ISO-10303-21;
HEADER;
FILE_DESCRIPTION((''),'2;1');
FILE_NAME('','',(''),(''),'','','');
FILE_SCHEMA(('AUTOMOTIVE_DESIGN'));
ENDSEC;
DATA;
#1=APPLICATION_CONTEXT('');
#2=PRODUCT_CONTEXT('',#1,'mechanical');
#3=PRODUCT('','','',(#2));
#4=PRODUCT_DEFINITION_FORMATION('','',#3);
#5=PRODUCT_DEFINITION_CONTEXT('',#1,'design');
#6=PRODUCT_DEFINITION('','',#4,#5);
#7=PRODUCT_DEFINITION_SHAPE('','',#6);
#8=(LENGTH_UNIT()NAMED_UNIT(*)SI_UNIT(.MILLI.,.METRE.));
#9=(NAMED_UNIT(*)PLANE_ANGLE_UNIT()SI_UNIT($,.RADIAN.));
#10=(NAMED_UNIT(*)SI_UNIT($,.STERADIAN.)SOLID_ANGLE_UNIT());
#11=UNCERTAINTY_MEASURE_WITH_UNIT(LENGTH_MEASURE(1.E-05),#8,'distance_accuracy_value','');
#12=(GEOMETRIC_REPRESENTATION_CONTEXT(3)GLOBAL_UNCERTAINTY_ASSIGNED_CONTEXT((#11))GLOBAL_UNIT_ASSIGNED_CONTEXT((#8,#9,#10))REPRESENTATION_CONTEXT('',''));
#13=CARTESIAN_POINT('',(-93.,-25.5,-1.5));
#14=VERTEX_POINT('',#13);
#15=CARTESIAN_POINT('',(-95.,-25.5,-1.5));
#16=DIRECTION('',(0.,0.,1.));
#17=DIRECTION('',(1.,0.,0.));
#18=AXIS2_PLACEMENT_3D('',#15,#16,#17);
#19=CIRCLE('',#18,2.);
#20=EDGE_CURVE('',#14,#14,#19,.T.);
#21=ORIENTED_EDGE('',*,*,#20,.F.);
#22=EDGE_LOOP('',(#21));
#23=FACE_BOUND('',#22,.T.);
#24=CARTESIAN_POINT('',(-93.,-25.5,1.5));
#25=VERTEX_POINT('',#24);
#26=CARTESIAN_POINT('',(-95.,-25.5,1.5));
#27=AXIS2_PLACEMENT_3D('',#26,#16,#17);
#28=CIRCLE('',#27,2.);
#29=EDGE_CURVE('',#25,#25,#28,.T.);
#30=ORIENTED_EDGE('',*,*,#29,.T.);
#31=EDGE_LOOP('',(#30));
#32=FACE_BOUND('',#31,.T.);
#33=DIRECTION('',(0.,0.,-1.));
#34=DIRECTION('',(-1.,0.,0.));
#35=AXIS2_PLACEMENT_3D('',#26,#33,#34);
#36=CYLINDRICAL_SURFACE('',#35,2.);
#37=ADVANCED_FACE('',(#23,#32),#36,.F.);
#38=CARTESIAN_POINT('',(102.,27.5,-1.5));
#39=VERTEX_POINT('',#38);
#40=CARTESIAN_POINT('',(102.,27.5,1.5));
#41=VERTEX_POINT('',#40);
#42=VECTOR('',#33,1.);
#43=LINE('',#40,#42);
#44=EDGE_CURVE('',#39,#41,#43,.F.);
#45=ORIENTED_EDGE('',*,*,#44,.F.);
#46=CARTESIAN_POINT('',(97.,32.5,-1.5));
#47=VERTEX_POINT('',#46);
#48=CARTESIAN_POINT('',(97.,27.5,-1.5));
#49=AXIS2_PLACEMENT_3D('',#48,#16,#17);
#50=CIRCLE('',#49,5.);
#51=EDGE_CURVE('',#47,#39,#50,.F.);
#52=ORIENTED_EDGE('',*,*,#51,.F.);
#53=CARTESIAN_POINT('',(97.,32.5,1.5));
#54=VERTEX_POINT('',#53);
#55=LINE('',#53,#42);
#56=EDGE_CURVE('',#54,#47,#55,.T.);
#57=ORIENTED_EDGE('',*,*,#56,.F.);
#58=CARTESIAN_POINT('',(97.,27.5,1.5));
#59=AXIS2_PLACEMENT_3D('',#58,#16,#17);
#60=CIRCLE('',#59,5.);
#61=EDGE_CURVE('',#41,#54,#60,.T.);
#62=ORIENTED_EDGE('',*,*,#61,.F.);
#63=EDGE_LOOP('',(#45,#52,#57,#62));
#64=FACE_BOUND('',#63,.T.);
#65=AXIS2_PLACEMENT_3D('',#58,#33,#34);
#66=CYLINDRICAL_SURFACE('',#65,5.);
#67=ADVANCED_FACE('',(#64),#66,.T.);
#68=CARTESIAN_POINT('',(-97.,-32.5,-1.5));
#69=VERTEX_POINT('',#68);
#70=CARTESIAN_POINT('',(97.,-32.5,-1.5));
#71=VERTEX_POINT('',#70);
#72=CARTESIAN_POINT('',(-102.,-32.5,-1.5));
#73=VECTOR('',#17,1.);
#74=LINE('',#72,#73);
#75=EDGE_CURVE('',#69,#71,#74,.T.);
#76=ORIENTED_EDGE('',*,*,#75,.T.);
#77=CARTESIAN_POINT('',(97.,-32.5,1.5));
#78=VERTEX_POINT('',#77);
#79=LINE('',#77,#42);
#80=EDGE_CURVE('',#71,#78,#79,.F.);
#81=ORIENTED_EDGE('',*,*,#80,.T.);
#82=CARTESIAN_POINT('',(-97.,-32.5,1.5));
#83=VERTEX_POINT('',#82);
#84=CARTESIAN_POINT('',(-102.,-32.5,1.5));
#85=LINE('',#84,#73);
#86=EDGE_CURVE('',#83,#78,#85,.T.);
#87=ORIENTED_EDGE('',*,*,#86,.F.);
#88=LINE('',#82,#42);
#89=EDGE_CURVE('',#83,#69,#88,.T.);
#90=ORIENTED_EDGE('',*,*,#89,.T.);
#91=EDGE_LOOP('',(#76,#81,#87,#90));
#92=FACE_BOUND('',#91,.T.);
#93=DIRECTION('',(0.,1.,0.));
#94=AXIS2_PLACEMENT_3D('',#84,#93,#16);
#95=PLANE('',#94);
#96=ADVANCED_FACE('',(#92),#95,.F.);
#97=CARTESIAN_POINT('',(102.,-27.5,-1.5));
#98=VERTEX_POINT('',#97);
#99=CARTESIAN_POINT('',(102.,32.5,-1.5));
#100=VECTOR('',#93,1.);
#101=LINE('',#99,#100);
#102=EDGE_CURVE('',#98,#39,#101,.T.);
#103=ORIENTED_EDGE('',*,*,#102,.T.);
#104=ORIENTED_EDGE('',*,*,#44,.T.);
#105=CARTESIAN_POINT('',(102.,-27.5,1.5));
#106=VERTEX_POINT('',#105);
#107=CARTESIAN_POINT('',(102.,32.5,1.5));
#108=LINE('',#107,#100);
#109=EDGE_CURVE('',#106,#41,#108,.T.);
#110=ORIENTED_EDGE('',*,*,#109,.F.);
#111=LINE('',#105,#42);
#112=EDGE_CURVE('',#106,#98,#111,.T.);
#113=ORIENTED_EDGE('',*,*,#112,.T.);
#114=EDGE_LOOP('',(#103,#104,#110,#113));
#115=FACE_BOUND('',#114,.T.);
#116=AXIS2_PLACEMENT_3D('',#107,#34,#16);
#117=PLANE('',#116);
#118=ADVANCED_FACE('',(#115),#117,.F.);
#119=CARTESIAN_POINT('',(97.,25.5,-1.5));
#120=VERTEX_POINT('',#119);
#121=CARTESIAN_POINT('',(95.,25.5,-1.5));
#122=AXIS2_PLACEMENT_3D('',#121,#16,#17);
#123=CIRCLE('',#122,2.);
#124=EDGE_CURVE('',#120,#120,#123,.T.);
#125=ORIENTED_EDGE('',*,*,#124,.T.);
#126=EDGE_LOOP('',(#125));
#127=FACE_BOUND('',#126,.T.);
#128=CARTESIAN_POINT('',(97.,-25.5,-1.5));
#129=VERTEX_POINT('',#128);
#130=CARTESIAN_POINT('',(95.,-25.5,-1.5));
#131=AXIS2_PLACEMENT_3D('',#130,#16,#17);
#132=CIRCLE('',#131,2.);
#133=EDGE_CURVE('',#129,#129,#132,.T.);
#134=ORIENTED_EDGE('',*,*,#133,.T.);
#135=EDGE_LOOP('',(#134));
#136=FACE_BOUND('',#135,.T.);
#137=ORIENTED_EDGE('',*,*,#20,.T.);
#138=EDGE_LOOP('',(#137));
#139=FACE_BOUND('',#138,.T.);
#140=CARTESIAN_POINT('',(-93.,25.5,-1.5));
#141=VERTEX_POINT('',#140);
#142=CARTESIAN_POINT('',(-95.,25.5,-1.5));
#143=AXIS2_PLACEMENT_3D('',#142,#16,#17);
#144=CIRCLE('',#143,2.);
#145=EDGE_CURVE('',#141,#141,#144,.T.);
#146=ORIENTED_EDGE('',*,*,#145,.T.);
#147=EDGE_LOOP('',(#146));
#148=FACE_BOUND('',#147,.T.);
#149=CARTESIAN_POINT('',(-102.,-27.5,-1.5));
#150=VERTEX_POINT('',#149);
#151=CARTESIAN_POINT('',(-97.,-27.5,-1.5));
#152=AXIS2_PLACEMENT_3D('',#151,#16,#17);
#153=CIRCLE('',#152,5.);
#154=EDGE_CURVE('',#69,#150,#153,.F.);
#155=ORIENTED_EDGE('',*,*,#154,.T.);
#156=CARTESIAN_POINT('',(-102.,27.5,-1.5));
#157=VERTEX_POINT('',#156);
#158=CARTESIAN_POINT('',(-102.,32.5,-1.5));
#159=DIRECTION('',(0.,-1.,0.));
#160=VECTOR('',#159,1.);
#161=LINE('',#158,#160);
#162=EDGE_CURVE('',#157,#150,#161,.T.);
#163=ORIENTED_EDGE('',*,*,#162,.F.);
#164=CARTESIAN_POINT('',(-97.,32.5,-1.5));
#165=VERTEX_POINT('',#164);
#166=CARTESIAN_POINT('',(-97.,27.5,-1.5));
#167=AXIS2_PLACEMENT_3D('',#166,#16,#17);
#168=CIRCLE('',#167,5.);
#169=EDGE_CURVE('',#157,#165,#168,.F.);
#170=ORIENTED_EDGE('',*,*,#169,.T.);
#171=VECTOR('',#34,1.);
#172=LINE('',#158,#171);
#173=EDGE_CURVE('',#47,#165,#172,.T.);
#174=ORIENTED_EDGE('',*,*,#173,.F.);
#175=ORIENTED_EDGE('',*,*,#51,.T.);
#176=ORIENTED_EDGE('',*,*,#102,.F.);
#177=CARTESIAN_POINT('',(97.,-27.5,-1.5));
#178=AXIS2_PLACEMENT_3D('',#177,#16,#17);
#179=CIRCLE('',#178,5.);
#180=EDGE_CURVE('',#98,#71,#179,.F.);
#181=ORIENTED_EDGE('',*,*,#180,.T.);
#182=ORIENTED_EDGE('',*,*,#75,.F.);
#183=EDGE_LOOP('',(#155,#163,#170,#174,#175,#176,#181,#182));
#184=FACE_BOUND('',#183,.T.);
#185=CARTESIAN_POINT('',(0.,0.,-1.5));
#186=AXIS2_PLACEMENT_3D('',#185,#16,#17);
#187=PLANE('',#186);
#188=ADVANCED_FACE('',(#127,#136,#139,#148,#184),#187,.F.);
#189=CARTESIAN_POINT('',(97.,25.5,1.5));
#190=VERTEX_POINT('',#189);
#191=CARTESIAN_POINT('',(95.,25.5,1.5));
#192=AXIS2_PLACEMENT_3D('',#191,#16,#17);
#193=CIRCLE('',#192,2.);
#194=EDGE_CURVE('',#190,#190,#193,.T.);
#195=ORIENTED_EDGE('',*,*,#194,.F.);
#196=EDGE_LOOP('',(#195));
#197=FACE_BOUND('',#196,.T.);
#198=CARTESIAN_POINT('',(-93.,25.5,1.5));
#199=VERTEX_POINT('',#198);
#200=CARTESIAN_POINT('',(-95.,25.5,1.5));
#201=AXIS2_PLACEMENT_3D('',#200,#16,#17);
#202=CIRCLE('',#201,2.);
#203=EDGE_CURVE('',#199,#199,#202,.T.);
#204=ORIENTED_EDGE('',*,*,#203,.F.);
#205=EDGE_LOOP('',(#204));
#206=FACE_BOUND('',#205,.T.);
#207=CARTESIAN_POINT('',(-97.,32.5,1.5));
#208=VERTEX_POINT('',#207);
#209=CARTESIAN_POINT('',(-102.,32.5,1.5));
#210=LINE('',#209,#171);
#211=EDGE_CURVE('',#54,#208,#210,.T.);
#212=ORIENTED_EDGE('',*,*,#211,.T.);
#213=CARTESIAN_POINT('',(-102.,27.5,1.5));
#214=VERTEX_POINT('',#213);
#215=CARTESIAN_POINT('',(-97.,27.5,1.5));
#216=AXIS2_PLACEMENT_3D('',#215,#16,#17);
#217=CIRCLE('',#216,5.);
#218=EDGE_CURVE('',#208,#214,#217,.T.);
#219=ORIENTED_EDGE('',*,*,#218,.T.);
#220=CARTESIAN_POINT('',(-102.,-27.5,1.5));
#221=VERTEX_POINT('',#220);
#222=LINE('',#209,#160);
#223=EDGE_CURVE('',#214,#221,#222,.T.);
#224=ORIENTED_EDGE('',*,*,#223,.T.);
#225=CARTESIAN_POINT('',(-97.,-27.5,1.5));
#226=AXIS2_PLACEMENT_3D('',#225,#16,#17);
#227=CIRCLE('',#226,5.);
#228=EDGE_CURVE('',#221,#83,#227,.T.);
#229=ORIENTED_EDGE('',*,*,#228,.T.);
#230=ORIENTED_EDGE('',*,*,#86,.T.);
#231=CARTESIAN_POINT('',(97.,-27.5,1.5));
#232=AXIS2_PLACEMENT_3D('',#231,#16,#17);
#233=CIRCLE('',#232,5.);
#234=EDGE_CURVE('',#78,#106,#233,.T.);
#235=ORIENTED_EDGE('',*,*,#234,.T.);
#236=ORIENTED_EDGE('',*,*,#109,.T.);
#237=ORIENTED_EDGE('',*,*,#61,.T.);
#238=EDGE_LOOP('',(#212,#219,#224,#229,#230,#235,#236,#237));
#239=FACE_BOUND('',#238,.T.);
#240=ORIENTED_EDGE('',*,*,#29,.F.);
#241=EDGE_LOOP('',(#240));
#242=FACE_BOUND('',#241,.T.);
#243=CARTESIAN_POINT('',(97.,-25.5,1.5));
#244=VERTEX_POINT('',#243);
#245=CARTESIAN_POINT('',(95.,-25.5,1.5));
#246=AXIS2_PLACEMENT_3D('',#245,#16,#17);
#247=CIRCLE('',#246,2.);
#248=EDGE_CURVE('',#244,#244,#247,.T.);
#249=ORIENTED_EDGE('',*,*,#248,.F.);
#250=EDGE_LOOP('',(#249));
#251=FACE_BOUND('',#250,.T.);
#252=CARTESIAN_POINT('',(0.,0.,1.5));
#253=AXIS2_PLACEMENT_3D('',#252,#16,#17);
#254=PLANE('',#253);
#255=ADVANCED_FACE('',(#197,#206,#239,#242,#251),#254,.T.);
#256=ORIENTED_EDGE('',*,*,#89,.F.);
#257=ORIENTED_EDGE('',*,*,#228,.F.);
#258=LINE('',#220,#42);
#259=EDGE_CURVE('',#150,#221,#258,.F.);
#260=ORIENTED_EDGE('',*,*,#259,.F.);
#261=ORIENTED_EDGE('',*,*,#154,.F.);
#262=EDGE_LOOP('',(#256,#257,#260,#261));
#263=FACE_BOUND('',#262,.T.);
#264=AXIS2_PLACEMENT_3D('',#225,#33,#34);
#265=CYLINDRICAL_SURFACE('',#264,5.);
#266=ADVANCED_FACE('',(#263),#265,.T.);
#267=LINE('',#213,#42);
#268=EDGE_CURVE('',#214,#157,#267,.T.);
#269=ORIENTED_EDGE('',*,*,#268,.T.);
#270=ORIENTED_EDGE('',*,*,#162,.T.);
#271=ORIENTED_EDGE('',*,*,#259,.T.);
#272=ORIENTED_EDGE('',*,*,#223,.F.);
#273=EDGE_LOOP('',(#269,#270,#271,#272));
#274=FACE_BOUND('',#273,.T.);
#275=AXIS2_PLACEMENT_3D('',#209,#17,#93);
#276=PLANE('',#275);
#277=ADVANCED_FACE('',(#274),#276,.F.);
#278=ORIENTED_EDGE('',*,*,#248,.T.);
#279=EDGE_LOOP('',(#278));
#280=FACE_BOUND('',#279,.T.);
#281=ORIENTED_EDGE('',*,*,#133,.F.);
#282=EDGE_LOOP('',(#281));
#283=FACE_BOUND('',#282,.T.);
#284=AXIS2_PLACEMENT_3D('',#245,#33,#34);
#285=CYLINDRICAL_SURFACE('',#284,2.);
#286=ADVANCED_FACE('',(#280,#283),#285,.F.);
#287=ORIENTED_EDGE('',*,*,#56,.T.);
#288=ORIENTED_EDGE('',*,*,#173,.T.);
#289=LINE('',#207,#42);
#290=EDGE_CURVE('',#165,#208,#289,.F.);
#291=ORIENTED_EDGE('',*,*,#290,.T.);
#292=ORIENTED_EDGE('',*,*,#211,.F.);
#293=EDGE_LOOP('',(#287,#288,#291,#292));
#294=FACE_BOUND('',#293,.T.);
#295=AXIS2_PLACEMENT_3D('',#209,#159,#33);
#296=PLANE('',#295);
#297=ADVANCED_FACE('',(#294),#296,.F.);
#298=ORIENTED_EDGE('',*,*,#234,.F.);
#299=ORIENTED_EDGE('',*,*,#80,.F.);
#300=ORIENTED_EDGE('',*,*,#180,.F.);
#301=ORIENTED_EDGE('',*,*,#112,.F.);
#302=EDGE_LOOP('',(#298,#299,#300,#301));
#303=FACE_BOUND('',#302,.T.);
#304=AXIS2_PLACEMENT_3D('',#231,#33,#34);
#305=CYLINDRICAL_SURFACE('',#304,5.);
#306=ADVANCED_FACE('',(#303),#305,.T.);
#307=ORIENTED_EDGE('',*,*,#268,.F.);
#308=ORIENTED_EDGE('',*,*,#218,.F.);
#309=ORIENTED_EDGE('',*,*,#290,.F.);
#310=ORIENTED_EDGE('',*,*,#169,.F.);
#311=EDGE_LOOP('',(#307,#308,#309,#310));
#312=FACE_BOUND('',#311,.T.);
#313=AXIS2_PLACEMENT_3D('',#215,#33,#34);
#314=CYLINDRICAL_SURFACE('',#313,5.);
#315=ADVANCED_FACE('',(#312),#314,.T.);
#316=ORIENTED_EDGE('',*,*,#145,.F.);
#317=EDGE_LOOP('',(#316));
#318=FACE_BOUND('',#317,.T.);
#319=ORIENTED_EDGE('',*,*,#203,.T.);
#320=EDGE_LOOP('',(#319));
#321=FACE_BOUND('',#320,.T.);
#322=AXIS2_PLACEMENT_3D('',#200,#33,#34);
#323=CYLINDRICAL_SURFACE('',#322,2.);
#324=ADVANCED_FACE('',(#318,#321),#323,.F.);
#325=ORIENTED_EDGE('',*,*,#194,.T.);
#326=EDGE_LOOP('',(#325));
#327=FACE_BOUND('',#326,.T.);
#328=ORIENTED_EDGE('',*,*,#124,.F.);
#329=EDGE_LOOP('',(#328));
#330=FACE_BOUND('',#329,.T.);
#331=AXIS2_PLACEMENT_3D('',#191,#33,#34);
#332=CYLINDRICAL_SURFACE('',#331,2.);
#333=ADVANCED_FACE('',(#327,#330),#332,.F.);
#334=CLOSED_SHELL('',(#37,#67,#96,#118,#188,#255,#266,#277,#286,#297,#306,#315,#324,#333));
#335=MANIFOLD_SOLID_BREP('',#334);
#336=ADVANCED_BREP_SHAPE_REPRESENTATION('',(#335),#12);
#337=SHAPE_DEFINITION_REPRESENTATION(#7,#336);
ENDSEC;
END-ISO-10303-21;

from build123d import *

# Parameters (mm, degrees)
SKETCH1_W           = 204
SKETCH1_H           = 65
SKETCH1_R           = 2
BOSS_EXTRUDE1_DEPTH = 1.5
FILLET1_R           = 5


with BuildPart() as part:
    # Sketch1 → Boss-Extrude1 (new, symmetric)
    with BuildSketch(Plane.XY):
        Rectangle(SKETCH1_W, SKETCH1_H)
        with Locations((95, -25.5)):
            Circle(SKETCH1_R, mode=Mode.SUBTRACT)
        with Locations((95, 25.5)):
            Circle(SKETCH1_R, mode=Mode.SUBTRACT)
        with Locations((-95, 25.5)):
            Circle(SKETCH1_R, mode=Mode.SUBTRACT)
        with Locations((-95, -25.5)):
            Circle(SKETCH1_R, mode=Mode.SUBTRACT)
    extrude(amount=BOSS_EXTRUDE1_DEPTH, both=True)

    # Fillet1
    fillet1_edges = [part.edges().sort_by_distance(p)[0] for p in [
        (102, -32.5, 0),
        (-102, -32.5, 0),
        (-102, 32.5, 0),
        (102, 32.5, 0),
    ]]
    fillet(fillet1_edges, radius=FILLET1_R)


solid = part.part
